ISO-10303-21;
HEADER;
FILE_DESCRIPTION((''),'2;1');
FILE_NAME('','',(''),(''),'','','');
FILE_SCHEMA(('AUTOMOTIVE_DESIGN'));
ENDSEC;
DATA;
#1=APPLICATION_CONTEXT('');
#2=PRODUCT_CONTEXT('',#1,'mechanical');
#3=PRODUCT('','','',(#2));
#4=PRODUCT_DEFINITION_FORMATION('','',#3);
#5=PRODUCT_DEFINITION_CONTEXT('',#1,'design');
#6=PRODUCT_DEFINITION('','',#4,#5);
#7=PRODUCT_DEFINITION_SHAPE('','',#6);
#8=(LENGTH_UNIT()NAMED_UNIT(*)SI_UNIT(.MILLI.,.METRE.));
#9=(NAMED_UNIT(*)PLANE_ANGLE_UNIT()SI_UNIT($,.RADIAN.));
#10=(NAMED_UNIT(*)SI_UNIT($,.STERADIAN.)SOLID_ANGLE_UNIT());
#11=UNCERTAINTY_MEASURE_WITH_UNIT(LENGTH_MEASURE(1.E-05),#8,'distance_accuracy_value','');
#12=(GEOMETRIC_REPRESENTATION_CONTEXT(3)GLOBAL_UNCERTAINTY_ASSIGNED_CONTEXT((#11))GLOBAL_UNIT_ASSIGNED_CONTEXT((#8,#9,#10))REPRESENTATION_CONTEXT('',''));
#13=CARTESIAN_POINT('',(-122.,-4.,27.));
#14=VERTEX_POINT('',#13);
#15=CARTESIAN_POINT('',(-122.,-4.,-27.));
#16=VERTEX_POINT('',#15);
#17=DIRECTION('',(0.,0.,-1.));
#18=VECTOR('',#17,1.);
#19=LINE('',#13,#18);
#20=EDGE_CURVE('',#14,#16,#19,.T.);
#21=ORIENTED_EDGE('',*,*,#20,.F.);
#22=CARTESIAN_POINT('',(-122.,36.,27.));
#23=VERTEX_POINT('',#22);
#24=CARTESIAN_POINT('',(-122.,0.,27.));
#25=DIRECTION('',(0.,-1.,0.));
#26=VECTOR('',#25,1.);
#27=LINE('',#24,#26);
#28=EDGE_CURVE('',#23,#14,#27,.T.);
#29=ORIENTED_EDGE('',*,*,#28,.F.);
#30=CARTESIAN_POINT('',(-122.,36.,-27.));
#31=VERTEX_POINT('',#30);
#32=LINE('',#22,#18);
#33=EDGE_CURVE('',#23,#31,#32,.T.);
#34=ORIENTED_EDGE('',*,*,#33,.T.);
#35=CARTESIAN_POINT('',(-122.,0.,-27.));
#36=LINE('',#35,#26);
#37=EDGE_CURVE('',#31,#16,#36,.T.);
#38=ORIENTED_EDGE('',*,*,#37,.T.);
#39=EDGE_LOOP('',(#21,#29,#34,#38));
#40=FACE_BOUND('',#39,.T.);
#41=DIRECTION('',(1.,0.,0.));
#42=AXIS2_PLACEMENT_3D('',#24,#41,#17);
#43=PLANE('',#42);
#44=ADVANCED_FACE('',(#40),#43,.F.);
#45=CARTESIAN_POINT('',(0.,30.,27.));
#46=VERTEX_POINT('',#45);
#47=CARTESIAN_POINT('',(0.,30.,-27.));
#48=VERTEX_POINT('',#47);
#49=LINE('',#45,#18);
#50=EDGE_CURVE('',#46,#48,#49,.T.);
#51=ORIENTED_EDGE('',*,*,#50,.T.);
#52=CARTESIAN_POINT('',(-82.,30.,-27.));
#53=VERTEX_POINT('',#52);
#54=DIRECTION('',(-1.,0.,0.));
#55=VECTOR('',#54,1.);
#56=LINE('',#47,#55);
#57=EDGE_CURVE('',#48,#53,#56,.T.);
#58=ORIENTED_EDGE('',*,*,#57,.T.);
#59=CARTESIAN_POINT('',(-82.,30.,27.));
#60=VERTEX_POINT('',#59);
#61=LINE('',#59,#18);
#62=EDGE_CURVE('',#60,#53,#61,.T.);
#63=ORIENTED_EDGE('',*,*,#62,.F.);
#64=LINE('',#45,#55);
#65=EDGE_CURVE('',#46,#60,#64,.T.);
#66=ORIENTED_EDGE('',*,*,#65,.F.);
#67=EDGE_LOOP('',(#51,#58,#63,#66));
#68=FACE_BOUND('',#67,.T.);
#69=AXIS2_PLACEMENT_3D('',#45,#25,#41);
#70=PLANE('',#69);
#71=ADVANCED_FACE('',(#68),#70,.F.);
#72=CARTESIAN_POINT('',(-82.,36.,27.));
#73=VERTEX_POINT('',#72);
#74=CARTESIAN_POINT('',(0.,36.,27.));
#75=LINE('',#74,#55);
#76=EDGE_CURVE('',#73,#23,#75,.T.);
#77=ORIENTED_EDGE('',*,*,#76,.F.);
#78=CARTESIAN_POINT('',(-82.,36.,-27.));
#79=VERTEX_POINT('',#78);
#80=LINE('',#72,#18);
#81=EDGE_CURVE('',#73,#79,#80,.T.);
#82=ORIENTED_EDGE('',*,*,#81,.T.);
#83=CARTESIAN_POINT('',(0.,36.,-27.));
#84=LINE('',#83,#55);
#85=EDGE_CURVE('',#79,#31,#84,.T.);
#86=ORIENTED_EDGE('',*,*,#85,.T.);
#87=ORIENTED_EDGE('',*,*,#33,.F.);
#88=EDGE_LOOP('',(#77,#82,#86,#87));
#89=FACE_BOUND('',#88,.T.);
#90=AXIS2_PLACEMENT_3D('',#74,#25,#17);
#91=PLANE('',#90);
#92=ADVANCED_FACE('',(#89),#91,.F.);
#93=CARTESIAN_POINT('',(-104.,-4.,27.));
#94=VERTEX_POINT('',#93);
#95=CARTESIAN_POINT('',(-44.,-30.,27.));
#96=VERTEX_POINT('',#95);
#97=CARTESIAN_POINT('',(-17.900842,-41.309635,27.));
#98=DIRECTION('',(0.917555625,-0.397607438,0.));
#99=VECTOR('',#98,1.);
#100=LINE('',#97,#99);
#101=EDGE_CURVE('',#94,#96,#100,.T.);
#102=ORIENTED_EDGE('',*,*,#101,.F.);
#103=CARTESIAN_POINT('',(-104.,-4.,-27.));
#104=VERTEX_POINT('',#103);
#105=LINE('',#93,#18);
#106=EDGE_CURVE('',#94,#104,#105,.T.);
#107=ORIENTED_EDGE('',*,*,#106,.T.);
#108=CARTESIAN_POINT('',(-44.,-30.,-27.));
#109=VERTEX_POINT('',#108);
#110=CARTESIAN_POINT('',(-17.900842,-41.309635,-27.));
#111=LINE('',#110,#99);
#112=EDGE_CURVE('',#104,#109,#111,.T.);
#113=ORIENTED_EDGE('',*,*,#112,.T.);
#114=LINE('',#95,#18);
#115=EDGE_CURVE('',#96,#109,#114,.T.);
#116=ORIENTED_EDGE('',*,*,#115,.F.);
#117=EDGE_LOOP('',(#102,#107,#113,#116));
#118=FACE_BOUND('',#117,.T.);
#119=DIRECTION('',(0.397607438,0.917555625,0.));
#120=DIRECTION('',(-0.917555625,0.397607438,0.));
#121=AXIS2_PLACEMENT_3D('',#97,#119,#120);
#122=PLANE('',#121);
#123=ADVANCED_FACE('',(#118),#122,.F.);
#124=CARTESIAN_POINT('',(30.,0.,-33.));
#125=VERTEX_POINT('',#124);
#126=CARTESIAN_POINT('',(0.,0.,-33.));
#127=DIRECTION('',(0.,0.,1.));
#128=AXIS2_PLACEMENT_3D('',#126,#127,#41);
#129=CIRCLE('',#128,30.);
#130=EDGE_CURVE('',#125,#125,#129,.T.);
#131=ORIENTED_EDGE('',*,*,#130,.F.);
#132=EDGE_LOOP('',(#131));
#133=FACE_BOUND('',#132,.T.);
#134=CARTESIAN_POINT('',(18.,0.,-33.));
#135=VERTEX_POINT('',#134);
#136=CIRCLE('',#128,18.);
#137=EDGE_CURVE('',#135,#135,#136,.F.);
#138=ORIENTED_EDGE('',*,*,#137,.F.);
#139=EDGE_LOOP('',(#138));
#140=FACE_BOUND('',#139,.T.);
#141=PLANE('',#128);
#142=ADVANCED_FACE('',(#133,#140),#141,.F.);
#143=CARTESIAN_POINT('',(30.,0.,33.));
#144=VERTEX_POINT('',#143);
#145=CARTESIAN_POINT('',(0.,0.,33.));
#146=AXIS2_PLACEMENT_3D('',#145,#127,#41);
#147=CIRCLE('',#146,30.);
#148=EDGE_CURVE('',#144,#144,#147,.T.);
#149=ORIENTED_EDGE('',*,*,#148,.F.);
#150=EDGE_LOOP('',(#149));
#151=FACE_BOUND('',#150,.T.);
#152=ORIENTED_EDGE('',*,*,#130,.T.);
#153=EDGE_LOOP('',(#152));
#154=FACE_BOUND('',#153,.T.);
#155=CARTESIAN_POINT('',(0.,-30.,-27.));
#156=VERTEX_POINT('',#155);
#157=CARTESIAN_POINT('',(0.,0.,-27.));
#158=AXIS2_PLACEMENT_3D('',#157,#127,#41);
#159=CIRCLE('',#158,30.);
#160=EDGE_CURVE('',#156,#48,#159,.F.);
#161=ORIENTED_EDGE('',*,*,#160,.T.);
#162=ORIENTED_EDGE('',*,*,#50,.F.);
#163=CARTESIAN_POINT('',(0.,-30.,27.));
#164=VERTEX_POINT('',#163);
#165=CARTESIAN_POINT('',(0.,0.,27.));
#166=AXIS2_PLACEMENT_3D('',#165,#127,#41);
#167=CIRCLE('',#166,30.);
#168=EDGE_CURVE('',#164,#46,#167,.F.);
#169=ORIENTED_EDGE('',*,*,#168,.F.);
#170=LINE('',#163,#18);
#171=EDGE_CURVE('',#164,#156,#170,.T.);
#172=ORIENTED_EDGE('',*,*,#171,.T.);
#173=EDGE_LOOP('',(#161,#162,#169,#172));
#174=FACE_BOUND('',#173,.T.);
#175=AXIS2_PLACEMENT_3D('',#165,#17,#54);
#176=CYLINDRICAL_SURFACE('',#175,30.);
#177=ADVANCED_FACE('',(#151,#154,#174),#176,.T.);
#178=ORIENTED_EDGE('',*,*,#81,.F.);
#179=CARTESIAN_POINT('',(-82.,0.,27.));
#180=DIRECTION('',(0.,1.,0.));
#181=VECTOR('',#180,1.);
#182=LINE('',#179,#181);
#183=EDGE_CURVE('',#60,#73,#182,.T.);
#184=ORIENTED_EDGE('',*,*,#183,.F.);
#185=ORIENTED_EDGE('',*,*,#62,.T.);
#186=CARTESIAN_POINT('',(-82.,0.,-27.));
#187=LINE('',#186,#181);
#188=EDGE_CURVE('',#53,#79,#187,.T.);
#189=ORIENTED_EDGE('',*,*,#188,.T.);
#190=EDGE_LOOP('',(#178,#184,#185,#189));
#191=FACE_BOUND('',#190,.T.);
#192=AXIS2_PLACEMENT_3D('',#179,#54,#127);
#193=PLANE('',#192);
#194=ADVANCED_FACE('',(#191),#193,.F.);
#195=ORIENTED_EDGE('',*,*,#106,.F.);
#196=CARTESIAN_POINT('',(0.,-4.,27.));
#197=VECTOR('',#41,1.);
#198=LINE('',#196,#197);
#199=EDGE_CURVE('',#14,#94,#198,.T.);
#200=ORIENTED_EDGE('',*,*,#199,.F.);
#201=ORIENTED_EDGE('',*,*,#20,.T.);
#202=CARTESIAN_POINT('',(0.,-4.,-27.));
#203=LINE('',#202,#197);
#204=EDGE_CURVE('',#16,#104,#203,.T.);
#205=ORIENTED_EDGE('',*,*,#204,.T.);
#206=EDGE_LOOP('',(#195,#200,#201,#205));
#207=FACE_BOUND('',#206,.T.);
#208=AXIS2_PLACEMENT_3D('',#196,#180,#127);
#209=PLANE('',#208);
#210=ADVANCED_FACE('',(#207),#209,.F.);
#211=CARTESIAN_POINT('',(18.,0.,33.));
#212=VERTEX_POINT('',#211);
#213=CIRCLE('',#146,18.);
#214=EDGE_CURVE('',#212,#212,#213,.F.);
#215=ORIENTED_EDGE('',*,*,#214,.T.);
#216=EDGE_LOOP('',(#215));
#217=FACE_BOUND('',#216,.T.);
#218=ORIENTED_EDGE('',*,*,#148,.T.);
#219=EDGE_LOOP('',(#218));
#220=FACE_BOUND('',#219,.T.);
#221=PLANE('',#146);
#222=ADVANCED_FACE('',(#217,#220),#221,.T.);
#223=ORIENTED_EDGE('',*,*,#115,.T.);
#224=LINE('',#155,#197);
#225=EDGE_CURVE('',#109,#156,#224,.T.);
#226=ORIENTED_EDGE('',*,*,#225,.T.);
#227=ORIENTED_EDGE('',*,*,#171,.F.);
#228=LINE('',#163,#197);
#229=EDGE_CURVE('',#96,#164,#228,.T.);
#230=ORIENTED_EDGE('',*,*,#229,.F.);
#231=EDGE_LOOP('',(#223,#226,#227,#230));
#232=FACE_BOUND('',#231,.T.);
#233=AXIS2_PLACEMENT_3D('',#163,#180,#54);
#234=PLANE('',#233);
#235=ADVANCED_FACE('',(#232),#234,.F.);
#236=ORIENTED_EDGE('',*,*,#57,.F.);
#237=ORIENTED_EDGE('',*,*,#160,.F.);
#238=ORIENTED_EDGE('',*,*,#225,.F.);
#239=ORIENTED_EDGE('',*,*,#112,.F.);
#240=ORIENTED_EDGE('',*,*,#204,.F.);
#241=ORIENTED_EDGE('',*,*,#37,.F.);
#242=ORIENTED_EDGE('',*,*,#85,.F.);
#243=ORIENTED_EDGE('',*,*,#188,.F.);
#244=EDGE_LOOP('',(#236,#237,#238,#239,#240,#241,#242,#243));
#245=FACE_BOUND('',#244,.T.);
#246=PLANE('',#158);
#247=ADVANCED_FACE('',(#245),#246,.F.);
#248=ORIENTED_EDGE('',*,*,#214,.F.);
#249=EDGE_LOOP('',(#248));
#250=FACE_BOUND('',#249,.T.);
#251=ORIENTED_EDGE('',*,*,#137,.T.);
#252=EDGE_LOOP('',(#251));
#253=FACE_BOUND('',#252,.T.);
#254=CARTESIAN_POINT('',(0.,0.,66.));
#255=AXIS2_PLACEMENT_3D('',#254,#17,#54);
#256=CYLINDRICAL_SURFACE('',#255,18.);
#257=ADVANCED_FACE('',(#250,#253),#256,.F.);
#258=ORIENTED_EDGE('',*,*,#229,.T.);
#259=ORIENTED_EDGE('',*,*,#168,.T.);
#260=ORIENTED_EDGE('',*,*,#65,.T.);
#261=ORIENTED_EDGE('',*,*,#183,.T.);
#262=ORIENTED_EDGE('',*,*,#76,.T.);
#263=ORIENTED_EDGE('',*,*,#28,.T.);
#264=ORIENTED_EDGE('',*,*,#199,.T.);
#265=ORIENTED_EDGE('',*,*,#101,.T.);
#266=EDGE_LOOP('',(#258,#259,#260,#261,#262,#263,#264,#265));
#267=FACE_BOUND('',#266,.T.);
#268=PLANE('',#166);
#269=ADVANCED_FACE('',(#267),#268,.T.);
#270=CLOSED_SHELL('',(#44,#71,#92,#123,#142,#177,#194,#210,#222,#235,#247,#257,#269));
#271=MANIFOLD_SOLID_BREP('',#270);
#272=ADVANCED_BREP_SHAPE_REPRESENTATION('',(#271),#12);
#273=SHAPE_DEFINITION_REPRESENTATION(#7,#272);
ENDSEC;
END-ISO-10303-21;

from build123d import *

# Parameters (mm, degrees)
BOSS_EXTRUDE1_DEPTH     = 27
SKETCH2_3_R             = 30
BOSS_EXTRUDE2_DEPTH     = 33
CUT_EXTRUDE1_DEPTH      = 66
CUT_EXTRUDE1_DEPTH_BACK = 66
SKETCH2_4_R             = 18


with BuildPart() as part:
    # Sketch2 → Boss-Extrude1 (new, symmetric)
    with BuildSketch(Plane.XY):
        with BuildLine():
            Line((-44, -30), (0, -30))
            ThreePointArc((0, -30), (30, 0), (0, 30))
            Line((0, 30), (-82, 30))
            Line((-82, 30), (-82, 36))
            Line((-82, 36), (-122, 36))
            Line((-122, 36), (-122, -4))
            Line((-122, -4), (-104, -4))
            Line((-104, -4), (-44, -30))
        make_face()
    extrude(amount=BOSS_EXTRUDE1_DEPTH, both=True)

    # Sketch2<3> → Boss-Extrude2 (add, symmetric)
    with BuildSketch(Plane.XY):
        Circle(SKETCH2_3_R)
    extrude(amount=BOSS_EXTRUDE2_DEPTH, both=True)

    # Sketch2<4> → Cut-Extrude1 (cut, two sides: drawn at the far end of the back side and taken through both)
    with BuildSketch(Plane.XY.offset(-CUT_EXTRUDE1_DEPTH_BACK)):
        Circle(SKETCH2_4_R)
    extrude(amount=CUT_EXTRUDE1_DEPTH + CUT_EXTRUDE1_DEPTH_BACK, mode=Mode.SUBTRACT)


solid = part.part
